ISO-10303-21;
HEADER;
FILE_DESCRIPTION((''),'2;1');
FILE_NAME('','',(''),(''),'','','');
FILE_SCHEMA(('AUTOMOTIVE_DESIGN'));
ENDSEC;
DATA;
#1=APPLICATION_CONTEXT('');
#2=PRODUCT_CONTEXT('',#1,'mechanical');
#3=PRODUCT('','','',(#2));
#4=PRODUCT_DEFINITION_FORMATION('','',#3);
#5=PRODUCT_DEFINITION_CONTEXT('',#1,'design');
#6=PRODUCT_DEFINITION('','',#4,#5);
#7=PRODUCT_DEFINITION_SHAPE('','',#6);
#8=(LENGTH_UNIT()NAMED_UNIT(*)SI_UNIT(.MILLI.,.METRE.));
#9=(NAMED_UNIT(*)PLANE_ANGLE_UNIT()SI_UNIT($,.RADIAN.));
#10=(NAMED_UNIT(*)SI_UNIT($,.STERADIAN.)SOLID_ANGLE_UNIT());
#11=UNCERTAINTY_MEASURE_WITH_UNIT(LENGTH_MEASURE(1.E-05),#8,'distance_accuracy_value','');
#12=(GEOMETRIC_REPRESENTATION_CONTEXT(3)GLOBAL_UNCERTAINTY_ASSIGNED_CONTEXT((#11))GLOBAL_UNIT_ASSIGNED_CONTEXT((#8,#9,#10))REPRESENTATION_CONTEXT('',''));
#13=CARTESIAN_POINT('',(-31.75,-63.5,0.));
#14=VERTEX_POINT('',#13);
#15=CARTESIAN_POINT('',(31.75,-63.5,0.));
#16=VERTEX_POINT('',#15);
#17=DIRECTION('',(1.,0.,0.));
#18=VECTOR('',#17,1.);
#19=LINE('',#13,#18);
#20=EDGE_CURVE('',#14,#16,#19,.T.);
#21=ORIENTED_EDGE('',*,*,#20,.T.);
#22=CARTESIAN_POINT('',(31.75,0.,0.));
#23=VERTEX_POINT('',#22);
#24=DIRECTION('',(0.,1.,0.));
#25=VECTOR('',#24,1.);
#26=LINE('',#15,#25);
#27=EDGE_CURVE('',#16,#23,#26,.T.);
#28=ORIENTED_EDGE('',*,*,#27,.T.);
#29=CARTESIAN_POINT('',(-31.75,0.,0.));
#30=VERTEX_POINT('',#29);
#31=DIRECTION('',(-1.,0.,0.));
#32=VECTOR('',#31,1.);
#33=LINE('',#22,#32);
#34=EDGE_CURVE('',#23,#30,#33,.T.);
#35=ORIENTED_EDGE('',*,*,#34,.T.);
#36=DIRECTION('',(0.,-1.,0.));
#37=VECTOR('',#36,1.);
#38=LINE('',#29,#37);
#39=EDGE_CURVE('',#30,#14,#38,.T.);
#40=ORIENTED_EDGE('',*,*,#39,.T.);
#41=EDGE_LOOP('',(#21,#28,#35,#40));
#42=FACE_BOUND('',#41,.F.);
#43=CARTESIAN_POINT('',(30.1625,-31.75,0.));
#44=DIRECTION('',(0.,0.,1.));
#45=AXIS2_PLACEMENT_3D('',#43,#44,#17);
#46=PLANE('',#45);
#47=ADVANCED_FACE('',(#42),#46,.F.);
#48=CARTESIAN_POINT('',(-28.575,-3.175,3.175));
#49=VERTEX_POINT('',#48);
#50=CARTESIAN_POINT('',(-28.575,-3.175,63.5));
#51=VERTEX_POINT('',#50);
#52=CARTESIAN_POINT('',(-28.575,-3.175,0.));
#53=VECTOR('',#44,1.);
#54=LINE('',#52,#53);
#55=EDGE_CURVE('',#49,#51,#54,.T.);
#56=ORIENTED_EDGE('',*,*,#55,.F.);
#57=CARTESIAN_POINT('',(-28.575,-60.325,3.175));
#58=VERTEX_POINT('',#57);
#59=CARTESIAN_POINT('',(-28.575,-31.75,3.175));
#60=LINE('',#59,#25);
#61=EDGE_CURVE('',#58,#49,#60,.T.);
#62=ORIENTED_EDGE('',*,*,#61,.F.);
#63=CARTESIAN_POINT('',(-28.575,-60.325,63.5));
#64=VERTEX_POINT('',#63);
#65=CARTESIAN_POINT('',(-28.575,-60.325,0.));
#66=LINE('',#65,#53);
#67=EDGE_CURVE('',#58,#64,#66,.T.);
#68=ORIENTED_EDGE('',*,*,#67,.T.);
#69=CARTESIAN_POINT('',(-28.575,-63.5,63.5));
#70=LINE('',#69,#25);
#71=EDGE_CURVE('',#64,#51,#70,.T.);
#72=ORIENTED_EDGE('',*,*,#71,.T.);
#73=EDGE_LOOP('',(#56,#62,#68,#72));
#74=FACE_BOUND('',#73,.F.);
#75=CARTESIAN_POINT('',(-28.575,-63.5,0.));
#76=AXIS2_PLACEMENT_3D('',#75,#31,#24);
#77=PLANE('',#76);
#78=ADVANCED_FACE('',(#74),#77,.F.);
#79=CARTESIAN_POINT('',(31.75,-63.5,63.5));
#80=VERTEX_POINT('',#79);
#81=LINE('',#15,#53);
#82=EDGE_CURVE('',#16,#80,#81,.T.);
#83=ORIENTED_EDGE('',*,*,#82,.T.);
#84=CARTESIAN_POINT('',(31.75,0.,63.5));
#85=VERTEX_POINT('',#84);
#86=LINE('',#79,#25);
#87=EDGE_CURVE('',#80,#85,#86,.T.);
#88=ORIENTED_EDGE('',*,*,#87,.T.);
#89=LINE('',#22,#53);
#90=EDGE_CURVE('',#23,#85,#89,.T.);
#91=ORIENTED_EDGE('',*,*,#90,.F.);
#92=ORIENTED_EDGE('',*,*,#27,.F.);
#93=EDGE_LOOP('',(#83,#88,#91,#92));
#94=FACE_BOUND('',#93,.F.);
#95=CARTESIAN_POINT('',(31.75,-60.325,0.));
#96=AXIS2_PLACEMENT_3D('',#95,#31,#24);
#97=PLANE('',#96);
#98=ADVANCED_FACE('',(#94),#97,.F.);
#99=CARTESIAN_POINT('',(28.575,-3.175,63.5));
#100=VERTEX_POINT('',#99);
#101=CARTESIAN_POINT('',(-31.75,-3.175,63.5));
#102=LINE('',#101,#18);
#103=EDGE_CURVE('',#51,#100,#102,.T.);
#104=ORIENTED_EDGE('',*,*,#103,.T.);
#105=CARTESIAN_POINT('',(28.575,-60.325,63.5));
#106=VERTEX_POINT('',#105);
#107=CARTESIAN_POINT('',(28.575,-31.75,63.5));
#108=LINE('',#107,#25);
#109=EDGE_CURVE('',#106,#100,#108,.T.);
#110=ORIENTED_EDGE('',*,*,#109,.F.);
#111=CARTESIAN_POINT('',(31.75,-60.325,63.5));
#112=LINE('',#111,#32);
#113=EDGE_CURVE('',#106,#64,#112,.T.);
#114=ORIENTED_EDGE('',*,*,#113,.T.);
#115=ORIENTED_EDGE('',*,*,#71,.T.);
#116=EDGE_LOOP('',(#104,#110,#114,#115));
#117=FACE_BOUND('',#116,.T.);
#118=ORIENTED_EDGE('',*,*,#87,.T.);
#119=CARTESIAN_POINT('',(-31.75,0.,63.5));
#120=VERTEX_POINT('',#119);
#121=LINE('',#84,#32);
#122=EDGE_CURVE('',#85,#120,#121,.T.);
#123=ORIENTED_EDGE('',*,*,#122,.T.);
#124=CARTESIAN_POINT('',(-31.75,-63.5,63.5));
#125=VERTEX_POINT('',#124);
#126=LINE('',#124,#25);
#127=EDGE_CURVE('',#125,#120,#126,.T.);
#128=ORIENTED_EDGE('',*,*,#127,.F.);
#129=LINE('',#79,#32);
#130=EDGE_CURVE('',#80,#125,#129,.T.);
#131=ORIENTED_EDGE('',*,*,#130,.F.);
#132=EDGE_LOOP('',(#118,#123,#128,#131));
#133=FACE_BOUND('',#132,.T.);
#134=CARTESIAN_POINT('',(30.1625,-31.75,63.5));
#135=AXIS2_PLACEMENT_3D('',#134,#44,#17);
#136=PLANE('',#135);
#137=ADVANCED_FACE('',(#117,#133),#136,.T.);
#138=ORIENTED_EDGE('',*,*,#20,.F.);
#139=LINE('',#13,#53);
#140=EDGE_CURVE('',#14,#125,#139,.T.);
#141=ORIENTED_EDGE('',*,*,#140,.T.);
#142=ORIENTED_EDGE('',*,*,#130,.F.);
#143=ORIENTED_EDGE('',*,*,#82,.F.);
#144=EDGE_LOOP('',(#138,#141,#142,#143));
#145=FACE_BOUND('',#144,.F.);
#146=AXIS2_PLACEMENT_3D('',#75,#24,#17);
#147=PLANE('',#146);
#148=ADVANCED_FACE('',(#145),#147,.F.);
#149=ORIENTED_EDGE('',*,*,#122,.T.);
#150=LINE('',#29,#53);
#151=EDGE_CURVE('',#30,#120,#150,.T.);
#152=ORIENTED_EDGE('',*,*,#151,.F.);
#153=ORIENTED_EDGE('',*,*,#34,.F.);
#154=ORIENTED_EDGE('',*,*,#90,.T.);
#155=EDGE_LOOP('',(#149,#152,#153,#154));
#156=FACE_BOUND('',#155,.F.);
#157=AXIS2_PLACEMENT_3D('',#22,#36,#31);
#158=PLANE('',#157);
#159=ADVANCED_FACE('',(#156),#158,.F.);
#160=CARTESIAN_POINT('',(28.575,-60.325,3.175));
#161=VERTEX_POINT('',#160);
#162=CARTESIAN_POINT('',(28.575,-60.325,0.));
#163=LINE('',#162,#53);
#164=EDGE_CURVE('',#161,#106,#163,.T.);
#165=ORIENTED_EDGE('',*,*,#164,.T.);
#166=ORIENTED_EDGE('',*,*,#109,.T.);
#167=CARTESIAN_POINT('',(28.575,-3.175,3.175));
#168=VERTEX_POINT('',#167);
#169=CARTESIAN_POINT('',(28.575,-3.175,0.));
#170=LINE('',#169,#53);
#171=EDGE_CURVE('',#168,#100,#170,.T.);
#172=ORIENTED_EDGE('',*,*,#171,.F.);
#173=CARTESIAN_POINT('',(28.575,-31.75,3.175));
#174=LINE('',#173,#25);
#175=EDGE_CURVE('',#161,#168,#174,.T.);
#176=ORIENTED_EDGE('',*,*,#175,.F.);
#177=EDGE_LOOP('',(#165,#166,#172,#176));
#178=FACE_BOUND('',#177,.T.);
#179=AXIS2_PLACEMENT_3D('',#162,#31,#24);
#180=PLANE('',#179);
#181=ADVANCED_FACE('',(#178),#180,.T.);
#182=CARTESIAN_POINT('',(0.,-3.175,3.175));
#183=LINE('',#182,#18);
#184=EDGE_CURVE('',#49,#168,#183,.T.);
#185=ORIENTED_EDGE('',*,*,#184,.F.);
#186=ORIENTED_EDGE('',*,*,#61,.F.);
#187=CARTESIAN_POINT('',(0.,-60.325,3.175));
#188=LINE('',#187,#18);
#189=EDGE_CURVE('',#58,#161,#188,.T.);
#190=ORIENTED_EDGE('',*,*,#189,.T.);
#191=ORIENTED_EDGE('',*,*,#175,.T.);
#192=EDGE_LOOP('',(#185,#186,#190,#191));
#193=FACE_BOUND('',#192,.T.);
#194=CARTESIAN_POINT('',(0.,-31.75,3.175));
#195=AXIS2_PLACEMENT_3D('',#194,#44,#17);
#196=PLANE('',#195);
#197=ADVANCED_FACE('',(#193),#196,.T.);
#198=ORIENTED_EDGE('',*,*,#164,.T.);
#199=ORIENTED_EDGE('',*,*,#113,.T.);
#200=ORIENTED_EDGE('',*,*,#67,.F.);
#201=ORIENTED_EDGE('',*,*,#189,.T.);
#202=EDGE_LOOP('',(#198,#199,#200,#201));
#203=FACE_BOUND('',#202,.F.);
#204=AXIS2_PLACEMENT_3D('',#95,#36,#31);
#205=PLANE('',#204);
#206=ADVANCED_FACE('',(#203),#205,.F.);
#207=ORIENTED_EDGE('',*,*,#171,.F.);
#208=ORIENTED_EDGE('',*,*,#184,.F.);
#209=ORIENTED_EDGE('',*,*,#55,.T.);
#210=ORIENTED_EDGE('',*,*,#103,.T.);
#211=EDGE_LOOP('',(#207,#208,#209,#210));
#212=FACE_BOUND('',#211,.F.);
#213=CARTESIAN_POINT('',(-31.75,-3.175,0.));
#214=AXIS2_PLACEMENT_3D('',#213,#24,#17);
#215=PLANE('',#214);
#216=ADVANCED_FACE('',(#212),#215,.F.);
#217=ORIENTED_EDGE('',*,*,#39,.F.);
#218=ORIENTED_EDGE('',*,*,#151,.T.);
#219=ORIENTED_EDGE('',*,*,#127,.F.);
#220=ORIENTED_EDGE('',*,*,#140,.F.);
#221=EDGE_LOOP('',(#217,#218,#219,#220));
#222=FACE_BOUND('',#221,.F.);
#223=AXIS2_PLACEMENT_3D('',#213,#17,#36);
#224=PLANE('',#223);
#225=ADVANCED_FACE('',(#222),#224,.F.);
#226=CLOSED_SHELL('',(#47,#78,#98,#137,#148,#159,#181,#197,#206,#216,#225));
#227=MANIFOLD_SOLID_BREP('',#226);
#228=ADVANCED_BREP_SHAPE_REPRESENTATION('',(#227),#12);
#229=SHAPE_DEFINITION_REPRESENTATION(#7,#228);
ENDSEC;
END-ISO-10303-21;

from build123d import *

# Parameters (mm, degrees)
F0_W     = 57.15
F0_H     = 57.15
F1_DEPTH = 3.175
F2_DEPTH = 63.5
F0_W_2   = 3.175
F0_H_2   = 3.175
F3_DEPTH = 63.5
F4_DEPTH = 63.5
F5_DEPTH = 63.5


with BuildPart() as f1:
    # F0 (on Top) → F1 (new body)
    with BuildSketch(Plane.XY):
        with Locations((0, -31.75)):
            Rectangle(F0_W, F0_H)
    extrude(amount=F1_DEPTH)

    # F0 (on Top) → F2 (join)
    with BuildSketch(Plane.XY):
        Polygon((31.75, 0), (-31.75, 0), (-31.75, -3.175), (-28.575, -3.175), (28.575, -3.175), (31.75, -3.175), align=None)
    extrude(amount=F2_DEPTH)

    # F0 (on Top) → F3 (join)
    with BuildSketch(Plane.XY):
        with Locations((-30.1625, -31.75)):
            Rectangle(F0_W_2, F0_H)
        with Locations((-30.1625, -61.9125)):
            Rectangle(F0_W_2, F0_H_2)
    extrude(amount=F3_DEPTH)

    # F0 (on Top) → F4 (join)
    with BuildSketch(Plane.XY):
        Polygon((31.75, -63.5), (31.75, -60.325), (28.575, -60.325), (-28.575, -60.325), (-28.575, -63.5), align=None)
    extrude(amount=F4_DEPTH)

    # F0 (on Top) → F5 (join)
    with BuildSketch(Plane.XY):
        with Locations((30.1625, -31.75)):
            Rectangle(F0_W_2, F0_H)
    extrude(amount=F5_DEPTH)


solid = f1.part
